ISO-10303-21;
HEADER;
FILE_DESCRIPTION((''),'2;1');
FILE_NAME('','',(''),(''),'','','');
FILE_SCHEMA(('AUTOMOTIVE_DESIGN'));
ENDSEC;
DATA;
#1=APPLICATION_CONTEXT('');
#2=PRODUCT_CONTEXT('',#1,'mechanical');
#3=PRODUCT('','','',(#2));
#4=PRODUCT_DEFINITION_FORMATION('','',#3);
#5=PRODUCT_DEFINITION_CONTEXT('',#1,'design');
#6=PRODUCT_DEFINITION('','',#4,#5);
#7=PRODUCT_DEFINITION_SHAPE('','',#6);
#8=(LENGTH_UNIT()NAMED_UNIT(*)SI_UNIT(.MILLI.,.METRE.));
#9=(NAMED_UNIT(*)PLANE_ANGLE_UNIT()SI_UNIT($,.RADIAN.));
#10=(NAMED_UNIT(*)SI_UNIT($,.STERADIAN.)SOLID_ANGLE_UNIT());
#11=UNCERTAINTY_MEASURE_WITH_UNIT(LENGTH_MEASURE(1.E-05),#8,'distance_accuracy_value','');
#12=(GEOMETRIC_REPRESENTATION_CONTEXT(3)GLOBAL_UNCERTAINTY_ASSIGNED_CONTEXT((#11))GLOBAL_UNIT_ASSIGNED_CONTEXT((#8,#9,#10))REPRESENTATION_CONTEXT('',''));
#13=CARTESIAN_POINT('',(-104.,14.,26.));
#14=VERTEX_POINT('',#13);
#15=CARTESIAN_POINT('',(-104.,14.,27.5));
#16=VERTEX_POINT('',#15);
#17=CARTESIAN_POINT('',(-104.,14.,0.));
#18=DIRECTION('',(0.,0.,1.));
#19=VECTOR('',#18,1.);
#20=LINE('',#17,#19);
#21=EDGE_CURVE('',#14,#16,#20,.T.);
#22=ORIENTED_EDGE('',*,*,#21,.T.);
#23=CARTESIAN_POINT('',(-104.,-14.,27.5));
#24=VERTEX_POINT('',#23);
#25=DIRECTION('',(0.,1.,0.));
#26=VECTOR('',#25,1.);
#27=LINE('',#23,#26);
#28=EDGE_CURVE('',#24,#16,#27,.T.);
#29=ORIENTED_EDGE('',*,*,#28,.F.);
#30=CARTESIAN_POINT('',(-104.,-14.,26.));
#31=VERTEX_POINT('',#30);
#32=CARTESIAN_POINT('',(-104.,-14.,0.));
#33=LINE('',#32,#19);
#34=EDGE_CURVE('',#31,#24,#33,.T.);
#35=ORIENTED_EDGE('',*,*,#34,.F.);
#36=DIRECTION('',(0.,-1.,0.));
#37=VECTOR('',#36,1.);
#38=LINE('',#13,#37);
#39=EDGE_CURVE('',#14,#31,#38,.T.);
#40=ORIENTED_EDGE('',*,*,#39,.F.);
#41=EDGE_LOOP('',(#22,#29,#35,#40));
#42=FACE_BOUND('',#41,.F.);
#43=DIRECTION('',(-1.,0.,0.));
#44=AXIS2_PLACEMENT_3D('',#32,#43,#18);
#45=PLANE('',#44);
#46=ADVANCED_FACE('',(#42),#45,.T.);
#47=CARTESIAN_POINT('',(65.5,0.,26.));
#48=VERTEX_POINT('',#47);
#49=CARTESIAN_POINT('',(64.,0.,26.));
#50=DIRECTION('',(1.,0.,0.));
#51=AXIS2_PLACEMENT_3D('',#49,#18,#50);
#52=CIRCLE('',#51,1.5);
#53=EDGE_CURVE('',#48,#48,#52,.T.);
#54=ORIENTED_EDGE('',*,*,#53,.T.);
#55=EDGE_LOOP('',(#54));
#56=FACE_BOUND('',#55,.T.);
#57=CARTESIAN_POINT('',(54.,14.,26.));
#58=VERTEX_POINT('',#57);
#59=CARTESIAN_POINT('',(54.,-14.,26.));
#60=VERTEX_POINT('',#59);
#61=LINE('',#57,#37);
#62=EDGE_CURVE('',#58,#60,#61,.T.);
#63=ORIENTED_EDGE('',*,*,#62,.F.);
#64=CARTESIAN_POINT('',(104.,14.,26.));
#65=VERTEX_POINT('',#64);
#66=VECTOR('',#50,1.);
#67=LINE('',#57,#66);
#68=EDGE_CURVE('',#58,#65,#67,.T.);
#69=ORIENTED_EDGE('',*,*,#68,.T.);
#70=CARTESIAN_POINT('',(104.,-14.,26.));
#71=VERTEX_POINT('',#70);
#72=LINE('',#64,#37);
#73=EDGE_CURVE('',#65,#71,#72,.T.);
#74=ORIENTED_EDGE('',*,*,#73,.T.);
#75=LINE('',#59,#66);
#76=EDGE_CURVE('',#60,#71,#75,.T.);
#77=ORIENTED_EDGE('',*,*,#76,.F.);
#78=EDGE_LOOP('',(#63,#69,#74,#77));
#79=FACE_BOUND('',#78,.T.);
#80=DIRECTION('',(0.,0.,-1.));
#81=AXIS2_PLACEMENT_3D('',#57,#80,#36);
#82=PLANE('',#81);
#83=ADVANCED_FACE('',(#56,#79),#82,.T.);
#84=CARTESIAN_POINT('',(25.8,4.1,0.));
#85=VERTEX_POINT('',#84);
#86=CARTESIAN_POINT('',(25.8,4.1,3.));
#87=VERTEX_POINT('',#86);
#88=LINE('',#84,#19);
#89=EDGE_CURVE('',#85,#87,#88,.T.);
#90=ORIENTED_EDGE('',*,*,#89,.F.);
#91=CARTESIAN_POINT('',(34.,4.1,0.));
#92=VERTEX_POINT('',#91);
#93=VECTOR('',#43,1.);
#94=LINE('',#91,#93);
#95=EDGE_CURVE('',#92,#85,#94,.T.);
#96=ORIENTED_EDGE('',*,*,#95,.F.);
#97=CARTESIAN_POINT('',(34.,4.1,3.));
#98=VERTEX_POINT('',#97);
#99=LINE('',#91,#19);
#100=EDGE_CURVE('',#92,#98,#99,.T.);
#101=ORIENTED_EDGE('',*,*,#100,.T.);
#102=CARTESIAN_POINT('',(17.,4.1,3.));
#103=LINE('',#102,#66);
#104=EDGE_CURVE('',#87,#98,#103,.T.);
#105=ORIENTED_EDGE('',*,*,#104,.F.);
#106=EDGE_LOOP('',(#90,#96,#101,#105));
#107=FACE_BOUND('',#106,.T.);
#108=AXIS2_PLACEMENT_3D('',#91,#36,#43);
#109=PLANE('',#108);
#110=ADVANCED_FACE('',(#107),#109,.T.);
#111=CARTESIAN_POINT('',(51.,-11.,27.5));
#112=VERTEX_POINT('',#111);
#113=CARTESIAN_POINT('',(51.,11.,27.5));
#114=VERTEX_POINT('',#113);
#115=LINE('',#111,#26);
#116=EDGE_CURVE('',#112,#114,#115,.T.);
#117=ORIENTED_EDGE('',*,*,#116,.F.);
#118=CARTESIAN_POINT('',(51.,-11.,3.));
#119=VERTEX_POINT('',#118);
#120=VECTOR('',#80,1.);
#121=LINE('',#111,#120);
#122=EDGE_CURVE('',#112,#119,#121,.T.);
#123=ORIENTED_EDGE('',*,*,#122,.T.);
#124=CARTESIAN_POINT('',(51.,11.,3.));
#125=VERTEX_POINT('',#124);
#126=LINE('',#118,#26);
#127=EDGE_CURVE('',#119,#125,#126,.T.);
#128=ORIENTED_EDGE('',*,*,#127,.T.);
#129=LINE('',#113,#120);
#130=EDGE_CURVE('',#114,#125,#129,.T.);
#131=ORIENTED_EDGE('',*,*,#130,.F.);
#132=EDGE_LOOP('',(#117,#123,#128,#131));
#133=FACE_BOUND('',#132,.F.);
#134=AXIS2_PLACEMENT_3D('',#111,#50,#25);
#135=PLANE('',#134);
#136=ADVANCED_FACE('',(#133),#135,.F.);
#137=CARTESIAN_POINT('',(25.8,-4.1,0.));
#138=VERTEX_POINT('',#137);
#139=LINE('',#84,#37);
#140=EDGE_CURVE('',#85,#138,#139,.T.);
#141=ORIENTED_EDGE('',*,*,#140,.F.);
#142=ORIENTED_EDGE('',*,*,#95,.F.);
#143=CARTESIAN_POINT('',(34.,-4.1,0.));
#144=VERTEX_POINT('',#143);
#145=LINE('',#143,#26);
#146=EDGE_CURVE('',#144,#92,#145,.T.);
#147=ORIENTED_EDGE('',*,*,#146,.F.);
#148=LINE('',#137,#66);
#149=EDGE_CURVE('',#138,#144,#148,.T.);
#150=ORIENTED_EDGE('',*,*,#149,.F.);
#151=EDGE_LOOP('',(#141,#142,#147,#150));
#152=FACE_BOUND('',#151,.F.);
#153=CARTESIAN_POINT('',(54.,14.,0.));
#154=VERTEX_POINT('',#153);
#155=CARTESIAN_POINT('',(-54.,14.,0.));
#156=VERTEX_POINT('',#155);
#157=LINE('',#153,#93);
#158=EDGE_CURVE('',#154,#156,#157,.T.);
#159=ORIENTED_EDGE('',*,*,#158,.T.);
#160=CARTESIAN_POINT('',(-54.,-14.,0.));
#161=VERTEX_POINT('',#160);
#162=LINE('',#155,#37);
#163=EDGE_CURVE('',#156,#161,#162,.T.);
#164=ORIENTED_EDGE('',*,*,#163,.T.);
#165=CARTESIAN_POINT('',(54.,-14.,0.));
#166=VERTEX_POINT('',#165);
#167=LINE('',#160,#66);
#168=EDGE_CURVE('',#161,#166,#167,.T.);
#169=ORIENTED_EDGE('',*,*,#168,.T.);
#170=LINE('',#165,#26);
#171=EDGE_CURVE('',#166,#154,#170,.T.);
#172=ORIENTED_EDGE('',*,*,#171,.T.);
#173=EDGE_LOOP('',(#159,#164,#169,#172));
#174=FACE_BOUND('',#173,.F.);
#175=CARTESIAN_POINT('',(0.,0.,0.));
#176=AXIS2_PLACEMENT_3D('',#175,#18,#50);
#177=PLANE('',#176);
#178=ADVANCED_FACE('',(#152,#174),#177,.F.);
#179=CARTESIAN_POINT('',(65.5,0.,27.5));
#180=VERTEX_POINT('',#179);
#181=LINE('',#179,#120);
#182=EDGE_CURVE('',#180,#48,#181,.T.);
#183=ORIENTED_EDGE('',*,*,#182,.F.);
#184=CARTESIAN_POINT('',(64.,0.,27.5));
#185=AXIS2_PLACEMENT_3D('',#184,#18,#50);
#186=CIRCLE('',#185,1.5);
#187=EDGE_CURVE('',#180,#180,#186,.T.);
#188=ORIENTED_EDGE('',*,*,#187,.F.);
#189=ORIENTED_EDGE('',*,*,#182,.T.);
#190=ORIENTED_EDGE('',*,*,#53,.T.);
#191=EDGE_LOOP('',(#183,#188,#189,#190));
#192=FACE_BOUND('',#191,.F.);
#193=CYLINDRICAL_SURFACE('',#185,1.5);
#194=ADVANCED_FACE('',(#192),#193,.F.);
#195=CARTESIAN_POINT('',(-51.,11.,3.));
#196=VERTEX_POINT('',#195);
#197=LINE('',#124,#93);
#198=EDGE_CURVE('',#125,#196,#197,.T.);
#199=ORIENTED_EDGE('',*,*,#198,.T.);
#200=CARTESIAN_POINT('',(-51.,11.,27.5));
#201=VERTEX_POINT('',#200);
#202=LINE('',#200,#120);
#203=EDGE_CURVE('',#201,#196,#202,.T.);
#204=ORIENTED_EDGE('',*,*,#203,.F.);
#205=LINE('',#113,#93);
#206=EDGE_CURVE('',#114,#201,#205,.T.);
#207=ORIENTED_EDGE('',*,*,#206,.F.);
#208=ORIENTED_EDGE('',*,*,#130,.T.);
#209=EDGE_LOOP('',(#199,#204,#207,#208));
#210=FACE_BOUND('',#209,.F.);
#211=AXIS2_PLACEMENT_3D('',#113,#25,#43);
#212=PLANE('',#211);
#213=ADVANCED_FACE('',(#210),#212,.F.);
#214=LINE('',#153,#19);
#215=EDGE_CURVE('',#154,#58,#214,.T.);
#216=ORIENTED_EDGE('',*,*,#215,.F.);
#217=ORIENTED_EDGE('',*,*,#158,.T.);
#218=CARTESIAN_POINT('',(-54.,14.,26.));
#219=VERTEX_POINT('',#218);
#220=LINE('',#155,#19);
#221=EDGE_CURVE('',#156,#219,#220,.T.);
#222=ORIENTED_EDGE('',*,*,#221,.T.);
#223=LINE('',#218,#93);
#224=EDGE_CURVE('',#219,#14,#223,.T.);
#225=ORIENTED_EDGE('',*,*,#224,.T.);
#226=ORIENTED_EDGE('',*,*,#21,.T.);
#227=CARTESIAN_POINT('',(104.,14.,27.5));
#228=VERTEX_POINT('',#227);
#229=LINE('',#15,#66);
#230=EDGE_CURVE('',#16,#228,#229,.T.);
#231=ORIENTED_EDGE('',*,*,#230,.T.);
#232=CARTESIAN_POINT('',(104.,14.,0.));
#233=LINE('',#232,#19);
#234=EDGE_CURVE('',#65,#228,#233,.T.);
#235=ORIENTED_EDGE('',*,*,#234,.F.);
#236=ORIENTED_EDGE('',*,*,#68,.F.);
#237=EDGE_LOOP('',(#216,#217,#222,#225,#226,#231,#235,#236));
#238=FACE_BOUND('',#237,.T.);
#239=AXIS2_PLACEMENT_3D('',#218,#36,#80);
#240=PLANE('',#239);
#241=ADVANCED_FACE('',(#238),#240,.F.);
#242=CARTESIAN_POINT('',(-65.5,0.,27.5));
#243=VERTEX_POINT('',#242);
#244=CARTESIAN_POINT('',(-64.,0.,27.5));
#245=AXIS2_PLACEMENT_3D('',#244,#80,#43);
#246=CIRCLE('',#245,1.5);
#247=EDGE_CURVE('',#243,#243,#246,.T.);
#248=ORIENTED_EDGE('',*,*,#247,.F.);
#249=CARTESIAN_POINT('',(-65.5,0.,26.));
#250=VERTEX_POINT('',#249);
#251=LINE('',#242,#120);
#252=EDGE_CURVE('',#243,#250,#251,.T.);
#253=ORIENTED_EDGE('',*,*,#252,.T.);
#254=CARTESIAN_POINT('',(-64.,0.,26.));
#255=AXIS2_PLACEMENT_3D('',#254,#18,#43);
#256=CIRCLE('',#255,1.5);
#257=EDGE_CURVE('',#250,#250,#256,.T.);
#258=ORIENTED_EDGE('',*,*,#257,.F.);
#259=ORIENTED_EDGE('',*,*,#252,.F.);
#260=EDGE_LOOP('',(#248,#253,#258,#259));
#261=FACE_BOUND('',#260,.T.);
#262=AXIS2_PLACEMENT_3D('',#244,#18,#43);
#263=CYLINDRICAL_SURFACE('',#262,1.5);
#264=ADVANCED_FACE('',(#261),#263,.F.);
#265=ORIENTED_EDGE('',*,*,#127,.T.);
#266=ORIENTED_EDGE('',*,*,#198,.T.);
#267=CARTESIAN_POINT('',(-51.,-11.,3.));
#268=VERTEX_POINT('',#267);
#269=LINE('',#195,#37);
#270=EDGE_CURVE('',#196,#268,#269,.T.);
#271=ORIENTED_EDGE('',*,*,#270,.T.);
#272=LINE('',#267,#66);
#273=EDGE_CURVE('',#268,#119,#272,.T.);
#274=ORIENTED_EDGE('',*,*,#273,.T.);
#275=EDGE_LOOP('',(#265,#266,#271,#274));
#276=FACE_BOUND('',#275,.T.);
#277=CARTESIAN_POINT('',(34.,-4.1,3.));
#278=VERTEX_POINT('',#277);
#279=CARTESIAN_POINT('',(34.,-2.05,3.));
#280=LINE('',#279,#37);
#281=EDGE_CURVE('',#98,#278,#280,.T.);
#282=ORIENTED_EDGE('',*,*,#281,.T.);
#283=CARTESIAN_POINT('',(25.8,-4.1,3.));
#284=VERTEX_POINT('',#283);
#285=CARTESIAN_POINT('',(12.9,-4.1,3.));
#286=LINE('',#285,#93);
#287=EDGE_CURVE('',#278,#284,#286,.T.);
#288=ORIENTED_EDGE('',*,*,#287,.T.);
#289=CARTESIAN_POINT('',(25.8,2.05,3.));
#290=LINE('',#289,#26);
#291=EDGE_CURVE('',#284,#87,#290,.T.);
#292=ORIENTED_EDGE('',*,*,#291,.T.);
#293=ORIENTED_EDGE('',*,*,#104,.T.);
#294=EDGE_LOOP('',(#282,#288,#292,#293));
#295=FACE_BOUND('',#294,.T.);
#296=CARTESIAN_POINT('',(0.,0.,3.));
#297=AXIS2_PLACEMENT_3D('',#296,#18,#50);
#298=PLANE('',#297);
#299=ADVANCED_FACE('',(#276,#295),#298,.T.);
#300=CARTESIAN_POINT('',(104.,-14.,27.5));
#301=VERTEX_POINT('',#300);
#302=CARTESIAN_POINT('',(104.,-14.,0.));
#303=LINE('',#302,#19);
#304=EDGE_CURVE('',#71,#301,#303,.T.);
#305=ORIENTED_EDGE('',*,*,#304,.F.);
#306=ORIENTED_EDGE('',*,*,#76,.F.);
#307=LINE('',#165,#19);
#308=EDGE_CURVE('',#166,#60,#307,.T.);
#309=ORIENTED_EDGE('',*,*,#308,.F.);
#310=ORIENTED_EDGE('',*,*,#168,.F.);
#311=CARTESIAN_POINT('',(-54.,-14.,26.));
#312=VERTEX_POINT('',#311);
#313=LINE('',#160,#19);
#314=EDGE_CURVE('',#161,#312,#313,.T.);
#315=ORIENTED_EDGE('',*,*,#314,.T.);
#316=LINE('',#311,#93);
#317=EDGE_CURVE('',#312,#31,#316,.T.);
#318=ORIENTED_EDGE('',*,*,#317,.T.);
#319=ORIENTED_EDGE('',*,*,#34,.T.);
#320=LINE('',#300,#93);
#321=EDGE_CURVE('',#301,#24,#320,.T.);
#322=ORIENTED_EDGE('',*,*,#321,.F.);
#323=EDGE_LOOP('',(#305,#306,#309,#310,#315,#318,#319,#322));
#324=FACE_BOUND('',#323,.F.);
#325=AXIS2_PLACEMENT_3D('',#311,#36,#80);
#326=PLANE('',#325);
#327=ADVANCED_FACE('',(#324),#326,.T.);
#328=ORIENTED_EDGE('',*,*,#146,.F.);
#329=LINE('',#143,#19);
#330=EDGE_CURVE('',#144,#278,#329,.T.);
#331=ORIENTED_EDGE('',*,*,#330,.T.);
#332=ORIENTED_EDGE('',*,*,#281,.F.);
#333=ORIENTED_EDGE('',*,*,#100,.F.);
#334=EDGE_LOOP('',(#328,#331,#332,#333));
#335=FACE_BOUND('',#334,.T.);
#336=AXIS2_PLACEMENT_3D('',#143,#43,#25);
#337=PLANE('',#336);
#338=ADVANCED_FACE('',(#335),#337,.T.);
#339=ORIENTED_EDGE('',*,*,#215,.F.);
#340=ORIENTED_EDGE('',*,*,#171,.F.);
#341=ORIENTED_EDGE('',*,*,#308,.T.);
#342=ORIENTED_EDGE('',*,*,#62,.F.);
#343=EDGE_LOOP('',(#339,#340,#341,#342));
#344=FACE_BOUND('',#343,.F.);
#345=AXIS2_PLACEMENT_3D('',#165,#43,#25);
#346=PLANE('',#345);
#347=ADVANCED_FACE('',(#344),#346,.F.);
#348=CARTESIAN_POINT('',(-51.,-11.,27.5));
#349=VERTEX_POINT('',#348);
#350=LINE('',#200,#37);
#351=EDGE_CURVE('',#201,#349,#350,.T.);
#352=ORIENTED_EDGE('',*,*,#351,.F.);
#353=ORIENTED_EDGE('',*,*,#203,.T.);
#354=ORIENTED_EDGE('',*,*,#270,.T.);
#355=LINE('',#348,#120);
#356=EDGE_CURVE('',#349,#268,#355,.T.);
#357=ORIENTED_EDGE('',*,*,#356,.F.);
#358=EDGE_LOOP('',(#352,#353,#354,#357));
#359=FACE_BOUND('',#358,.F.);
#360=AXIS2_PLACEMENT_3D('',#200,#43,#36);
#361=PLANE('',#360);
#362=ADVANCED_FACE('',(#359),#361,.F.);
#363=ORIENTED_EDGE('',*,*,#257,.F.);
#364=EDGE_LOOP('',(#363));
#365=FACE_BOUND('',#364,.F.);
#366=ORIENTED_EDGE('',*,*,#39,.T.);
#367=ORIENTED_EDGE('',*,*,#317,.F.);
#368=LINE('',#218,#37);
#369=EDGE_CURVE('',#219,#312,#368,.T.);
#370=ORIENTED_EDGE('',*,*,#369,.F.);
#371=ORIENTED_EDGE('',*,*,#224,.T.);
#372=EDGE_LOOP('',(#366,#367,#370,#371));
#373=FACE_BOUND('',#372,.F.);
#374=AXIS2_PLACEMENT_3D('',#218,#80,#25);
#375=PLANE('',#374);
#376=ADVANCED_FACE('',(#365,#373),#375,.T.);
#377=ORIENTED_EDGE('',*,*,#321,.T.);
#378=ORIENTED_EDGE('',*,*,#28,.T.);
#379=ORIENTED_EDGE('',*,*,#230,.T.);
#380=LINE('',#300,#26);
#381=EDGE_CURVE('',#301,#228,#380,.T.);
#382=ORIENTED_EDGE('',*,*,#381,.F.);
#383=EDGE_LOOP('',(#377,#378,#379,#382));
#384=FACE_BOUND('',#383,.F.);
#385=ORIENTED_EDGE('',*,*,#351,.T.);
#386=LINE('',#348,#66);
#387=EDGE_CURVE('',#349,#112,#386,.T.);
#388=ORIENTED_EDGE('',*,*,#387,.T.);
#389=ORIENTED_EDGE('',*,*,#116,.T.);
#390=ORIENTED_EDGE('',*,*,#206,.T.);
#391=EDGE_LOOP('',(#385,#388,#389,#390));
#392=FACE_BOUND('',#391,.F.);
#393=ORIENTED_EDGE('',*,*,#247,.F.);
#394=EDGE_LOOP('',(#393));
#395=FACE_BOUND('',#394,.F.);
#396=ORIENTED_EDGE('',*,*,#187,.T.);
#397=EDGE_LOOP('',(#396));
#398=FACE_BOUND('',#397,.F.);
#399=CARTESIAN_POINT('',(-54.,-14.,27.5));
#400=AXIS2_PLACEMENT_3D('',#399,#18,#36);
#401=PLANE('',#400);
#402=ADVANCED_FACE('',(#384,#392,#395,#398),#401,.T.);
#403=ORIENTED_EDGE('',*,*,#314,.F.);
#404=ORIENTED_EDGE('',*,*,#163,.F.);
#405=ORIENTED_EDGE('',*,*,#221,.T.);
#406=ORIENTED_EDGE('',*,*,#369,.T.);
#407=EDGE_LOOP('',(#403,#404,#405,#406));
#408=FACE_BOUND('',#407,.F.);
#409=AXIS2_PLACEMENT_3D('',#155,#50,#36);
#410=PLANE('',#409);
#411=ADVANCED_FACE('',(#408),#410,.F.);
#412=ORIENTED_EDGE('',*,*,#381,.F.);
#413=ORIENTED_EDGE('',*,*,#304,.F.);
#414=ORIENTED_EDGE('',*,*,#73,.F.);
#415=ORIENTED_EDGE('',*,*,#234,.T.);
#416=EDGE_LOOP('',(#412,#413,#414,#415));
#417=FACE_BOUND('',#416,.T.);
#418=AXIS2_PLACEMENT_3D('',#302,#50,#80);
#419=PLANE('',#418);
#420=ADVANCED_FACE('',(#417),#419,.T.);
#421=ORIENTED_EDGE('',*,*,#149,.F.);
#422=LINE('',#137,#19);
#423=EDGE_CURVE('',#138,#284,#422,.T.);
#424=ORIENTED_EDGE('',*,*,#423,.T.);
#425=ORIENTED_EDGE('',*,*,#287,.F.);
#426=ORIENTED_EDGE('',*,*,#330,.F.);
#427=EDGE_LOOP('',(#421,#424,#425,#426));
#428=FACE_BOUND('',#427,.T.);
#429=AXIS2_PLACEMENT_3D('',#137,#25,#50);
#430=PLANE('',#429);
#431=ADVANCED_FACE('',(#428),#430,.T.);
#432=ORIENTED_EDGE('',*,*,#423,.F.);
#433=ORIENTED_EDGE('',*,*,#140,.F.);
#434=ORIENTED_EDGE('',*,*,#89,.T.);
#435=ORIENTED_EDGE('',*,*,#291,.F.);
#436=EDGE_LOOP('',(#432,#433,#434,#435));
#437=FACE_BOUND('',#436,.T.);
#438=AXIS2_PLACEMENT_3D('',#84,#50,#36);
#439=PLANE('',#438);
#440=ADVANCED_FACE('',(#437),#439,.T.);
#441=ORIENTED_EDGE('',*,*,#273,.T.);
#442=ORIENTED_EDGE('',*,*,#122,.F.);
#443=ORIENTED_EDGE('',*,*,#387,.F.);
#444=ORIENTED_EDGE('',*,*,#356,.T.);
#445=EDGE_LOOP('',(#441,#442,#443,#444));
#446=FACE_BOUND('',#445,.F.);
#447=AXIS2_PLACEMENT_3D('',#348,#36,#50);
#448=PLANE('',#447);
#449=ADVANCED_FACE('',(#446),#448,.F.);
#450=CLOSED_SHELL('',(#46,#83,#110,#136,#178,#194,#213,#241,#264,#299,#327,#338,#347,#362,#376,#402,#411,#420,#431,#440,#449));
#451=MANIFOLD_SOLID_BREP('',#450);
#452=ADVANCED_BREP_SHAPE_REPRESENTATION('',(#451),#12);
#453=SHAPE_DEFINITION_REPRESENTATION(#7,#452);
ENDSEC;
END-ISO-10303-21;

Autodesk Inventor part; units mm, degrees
ref_plane "YZ Plane" through (0, 0, 0) normal (1, 0, 0) x (0, 1, 0)
ref_plane "XZ Plane" through (0, 0, 0) normal (0, 1, 0) x (-1, 0, 0)
ref_plane "XY Plane" through (0, 0, 0) normal (0, 0, 1) x (1, 0, 0)
sketch "Эскиз1" plane through (0, 0, 0) normal (0, 0, 1) x (1, 0, 0)
  line L0 (-54, -14) -> (54, -14)
  line L1 (54, -14) -> (54, 14)
  line L2 (54, 14) -> (-54, 14)
  line L3 (-54, 14) -> (-54, -14)
  line L4 (-54, -14) -> (54, 14) construction
  line L5 (54, -14) -> (-54, 14) construction
  point P0 (0, 0)
  dimension "d0" = 108
  dimension "d1" = 28
extrude "Выдавливание1" add sketch "Эскиз1" along normal blind 27.5
sketch "Эскиз2" plane through (0, 0, 27.5) normal (0, 0, 1) x (1, 0, 0)
  line L0 (-51, -11) -> (51, -11)
  line L1 (51, -11) -> (51, 11)
  line L2 (51, 11) -> (-51, 11)
  line L3 (-51, 11) -> (-51, -11)
  line L4 (-51, -11) -> (51, 11) construction
  line L5 (51, -11) -> (-51, 11) construction
  line L6 (54, 14) -> (-54, 14) projected
  line L7 (54, -14) -> (54, 14) projected
  point P0 (0, 0)
  dimension "d4" = 3
  dimension "d5" = 3
extrude "Выдавливание2" cut sketch "Эскиз2" against normal blind 24.5
sketch "Эскиз3" plane through (54, -14, 0) normal (1, 0, 0) x (0, 0, -1)
  line L0 (0, 28) -> (-27.5, 28) projected
  line L1 (0, 0) -> (-27.5, 0) projected
  line L2 (-27.5, 28) -> (-26, 28)
  line L3 (-26, 28) -> (-26, 0)
  line L4 (-26, 0) -> (-27.5, 0)
  line L5 (-27.5, 0) -> (-27.5, 28)
  point P0 (0, 14)
  dimension "d8" = 1.5
extrude "Выдавливание3" add sketch "Эскиз3" along normal blind 50
sketch "Эскиз4" plane through (0, 0, 27.5) normal (0, 0, 1) x (1, 0, 0)
  circle A0 centre (64, 0) radius 1.5
  line L0 (-54, -14) -> (104, -14) projected
  point P0 (0, 0)
  point P1 (54, -14)
  dimension "d11" = 3
  dimension "d12" = 14
  dimension "d13" = 10
extrude "Выдавливание4" cut sketch "Эскиз4" against normal blind 50
mirror "Зеркальное отражение1" about plane through (0, 0, 0) normal (1, 0, 0) of "Выдавливание3", "Выдавливание4"
sketch "Эскиз5" plane through (0, 0, 0) normal (0, 0, -1) x (-1, 0, 0)
  line L0 (-34, 4.1) -> (-25.8, 4.1)
  line L1 (-25.8, 4.1) -> (-25.8, -4.1)
  line L2 (-25.8, -4.1) -> (-34, -4.1)
  line L3 (-34, -4.1) -> (-34, 4.1)
  line L4 (-54, -14) -> (-54, 14) projected
  point P0 (0, 0)
  point P1 (-25.8, 0)
  dimension "d16" = 8.2
  dimension "d17" = 8.2
  dimension "d18" = 20
extrude "Выдавливание5" cut sketch "Эскиз5" against normal blind 10
equation "\"d16\" = d17"
properties part number "000.009 - Короб" material "Пластик АБС"
